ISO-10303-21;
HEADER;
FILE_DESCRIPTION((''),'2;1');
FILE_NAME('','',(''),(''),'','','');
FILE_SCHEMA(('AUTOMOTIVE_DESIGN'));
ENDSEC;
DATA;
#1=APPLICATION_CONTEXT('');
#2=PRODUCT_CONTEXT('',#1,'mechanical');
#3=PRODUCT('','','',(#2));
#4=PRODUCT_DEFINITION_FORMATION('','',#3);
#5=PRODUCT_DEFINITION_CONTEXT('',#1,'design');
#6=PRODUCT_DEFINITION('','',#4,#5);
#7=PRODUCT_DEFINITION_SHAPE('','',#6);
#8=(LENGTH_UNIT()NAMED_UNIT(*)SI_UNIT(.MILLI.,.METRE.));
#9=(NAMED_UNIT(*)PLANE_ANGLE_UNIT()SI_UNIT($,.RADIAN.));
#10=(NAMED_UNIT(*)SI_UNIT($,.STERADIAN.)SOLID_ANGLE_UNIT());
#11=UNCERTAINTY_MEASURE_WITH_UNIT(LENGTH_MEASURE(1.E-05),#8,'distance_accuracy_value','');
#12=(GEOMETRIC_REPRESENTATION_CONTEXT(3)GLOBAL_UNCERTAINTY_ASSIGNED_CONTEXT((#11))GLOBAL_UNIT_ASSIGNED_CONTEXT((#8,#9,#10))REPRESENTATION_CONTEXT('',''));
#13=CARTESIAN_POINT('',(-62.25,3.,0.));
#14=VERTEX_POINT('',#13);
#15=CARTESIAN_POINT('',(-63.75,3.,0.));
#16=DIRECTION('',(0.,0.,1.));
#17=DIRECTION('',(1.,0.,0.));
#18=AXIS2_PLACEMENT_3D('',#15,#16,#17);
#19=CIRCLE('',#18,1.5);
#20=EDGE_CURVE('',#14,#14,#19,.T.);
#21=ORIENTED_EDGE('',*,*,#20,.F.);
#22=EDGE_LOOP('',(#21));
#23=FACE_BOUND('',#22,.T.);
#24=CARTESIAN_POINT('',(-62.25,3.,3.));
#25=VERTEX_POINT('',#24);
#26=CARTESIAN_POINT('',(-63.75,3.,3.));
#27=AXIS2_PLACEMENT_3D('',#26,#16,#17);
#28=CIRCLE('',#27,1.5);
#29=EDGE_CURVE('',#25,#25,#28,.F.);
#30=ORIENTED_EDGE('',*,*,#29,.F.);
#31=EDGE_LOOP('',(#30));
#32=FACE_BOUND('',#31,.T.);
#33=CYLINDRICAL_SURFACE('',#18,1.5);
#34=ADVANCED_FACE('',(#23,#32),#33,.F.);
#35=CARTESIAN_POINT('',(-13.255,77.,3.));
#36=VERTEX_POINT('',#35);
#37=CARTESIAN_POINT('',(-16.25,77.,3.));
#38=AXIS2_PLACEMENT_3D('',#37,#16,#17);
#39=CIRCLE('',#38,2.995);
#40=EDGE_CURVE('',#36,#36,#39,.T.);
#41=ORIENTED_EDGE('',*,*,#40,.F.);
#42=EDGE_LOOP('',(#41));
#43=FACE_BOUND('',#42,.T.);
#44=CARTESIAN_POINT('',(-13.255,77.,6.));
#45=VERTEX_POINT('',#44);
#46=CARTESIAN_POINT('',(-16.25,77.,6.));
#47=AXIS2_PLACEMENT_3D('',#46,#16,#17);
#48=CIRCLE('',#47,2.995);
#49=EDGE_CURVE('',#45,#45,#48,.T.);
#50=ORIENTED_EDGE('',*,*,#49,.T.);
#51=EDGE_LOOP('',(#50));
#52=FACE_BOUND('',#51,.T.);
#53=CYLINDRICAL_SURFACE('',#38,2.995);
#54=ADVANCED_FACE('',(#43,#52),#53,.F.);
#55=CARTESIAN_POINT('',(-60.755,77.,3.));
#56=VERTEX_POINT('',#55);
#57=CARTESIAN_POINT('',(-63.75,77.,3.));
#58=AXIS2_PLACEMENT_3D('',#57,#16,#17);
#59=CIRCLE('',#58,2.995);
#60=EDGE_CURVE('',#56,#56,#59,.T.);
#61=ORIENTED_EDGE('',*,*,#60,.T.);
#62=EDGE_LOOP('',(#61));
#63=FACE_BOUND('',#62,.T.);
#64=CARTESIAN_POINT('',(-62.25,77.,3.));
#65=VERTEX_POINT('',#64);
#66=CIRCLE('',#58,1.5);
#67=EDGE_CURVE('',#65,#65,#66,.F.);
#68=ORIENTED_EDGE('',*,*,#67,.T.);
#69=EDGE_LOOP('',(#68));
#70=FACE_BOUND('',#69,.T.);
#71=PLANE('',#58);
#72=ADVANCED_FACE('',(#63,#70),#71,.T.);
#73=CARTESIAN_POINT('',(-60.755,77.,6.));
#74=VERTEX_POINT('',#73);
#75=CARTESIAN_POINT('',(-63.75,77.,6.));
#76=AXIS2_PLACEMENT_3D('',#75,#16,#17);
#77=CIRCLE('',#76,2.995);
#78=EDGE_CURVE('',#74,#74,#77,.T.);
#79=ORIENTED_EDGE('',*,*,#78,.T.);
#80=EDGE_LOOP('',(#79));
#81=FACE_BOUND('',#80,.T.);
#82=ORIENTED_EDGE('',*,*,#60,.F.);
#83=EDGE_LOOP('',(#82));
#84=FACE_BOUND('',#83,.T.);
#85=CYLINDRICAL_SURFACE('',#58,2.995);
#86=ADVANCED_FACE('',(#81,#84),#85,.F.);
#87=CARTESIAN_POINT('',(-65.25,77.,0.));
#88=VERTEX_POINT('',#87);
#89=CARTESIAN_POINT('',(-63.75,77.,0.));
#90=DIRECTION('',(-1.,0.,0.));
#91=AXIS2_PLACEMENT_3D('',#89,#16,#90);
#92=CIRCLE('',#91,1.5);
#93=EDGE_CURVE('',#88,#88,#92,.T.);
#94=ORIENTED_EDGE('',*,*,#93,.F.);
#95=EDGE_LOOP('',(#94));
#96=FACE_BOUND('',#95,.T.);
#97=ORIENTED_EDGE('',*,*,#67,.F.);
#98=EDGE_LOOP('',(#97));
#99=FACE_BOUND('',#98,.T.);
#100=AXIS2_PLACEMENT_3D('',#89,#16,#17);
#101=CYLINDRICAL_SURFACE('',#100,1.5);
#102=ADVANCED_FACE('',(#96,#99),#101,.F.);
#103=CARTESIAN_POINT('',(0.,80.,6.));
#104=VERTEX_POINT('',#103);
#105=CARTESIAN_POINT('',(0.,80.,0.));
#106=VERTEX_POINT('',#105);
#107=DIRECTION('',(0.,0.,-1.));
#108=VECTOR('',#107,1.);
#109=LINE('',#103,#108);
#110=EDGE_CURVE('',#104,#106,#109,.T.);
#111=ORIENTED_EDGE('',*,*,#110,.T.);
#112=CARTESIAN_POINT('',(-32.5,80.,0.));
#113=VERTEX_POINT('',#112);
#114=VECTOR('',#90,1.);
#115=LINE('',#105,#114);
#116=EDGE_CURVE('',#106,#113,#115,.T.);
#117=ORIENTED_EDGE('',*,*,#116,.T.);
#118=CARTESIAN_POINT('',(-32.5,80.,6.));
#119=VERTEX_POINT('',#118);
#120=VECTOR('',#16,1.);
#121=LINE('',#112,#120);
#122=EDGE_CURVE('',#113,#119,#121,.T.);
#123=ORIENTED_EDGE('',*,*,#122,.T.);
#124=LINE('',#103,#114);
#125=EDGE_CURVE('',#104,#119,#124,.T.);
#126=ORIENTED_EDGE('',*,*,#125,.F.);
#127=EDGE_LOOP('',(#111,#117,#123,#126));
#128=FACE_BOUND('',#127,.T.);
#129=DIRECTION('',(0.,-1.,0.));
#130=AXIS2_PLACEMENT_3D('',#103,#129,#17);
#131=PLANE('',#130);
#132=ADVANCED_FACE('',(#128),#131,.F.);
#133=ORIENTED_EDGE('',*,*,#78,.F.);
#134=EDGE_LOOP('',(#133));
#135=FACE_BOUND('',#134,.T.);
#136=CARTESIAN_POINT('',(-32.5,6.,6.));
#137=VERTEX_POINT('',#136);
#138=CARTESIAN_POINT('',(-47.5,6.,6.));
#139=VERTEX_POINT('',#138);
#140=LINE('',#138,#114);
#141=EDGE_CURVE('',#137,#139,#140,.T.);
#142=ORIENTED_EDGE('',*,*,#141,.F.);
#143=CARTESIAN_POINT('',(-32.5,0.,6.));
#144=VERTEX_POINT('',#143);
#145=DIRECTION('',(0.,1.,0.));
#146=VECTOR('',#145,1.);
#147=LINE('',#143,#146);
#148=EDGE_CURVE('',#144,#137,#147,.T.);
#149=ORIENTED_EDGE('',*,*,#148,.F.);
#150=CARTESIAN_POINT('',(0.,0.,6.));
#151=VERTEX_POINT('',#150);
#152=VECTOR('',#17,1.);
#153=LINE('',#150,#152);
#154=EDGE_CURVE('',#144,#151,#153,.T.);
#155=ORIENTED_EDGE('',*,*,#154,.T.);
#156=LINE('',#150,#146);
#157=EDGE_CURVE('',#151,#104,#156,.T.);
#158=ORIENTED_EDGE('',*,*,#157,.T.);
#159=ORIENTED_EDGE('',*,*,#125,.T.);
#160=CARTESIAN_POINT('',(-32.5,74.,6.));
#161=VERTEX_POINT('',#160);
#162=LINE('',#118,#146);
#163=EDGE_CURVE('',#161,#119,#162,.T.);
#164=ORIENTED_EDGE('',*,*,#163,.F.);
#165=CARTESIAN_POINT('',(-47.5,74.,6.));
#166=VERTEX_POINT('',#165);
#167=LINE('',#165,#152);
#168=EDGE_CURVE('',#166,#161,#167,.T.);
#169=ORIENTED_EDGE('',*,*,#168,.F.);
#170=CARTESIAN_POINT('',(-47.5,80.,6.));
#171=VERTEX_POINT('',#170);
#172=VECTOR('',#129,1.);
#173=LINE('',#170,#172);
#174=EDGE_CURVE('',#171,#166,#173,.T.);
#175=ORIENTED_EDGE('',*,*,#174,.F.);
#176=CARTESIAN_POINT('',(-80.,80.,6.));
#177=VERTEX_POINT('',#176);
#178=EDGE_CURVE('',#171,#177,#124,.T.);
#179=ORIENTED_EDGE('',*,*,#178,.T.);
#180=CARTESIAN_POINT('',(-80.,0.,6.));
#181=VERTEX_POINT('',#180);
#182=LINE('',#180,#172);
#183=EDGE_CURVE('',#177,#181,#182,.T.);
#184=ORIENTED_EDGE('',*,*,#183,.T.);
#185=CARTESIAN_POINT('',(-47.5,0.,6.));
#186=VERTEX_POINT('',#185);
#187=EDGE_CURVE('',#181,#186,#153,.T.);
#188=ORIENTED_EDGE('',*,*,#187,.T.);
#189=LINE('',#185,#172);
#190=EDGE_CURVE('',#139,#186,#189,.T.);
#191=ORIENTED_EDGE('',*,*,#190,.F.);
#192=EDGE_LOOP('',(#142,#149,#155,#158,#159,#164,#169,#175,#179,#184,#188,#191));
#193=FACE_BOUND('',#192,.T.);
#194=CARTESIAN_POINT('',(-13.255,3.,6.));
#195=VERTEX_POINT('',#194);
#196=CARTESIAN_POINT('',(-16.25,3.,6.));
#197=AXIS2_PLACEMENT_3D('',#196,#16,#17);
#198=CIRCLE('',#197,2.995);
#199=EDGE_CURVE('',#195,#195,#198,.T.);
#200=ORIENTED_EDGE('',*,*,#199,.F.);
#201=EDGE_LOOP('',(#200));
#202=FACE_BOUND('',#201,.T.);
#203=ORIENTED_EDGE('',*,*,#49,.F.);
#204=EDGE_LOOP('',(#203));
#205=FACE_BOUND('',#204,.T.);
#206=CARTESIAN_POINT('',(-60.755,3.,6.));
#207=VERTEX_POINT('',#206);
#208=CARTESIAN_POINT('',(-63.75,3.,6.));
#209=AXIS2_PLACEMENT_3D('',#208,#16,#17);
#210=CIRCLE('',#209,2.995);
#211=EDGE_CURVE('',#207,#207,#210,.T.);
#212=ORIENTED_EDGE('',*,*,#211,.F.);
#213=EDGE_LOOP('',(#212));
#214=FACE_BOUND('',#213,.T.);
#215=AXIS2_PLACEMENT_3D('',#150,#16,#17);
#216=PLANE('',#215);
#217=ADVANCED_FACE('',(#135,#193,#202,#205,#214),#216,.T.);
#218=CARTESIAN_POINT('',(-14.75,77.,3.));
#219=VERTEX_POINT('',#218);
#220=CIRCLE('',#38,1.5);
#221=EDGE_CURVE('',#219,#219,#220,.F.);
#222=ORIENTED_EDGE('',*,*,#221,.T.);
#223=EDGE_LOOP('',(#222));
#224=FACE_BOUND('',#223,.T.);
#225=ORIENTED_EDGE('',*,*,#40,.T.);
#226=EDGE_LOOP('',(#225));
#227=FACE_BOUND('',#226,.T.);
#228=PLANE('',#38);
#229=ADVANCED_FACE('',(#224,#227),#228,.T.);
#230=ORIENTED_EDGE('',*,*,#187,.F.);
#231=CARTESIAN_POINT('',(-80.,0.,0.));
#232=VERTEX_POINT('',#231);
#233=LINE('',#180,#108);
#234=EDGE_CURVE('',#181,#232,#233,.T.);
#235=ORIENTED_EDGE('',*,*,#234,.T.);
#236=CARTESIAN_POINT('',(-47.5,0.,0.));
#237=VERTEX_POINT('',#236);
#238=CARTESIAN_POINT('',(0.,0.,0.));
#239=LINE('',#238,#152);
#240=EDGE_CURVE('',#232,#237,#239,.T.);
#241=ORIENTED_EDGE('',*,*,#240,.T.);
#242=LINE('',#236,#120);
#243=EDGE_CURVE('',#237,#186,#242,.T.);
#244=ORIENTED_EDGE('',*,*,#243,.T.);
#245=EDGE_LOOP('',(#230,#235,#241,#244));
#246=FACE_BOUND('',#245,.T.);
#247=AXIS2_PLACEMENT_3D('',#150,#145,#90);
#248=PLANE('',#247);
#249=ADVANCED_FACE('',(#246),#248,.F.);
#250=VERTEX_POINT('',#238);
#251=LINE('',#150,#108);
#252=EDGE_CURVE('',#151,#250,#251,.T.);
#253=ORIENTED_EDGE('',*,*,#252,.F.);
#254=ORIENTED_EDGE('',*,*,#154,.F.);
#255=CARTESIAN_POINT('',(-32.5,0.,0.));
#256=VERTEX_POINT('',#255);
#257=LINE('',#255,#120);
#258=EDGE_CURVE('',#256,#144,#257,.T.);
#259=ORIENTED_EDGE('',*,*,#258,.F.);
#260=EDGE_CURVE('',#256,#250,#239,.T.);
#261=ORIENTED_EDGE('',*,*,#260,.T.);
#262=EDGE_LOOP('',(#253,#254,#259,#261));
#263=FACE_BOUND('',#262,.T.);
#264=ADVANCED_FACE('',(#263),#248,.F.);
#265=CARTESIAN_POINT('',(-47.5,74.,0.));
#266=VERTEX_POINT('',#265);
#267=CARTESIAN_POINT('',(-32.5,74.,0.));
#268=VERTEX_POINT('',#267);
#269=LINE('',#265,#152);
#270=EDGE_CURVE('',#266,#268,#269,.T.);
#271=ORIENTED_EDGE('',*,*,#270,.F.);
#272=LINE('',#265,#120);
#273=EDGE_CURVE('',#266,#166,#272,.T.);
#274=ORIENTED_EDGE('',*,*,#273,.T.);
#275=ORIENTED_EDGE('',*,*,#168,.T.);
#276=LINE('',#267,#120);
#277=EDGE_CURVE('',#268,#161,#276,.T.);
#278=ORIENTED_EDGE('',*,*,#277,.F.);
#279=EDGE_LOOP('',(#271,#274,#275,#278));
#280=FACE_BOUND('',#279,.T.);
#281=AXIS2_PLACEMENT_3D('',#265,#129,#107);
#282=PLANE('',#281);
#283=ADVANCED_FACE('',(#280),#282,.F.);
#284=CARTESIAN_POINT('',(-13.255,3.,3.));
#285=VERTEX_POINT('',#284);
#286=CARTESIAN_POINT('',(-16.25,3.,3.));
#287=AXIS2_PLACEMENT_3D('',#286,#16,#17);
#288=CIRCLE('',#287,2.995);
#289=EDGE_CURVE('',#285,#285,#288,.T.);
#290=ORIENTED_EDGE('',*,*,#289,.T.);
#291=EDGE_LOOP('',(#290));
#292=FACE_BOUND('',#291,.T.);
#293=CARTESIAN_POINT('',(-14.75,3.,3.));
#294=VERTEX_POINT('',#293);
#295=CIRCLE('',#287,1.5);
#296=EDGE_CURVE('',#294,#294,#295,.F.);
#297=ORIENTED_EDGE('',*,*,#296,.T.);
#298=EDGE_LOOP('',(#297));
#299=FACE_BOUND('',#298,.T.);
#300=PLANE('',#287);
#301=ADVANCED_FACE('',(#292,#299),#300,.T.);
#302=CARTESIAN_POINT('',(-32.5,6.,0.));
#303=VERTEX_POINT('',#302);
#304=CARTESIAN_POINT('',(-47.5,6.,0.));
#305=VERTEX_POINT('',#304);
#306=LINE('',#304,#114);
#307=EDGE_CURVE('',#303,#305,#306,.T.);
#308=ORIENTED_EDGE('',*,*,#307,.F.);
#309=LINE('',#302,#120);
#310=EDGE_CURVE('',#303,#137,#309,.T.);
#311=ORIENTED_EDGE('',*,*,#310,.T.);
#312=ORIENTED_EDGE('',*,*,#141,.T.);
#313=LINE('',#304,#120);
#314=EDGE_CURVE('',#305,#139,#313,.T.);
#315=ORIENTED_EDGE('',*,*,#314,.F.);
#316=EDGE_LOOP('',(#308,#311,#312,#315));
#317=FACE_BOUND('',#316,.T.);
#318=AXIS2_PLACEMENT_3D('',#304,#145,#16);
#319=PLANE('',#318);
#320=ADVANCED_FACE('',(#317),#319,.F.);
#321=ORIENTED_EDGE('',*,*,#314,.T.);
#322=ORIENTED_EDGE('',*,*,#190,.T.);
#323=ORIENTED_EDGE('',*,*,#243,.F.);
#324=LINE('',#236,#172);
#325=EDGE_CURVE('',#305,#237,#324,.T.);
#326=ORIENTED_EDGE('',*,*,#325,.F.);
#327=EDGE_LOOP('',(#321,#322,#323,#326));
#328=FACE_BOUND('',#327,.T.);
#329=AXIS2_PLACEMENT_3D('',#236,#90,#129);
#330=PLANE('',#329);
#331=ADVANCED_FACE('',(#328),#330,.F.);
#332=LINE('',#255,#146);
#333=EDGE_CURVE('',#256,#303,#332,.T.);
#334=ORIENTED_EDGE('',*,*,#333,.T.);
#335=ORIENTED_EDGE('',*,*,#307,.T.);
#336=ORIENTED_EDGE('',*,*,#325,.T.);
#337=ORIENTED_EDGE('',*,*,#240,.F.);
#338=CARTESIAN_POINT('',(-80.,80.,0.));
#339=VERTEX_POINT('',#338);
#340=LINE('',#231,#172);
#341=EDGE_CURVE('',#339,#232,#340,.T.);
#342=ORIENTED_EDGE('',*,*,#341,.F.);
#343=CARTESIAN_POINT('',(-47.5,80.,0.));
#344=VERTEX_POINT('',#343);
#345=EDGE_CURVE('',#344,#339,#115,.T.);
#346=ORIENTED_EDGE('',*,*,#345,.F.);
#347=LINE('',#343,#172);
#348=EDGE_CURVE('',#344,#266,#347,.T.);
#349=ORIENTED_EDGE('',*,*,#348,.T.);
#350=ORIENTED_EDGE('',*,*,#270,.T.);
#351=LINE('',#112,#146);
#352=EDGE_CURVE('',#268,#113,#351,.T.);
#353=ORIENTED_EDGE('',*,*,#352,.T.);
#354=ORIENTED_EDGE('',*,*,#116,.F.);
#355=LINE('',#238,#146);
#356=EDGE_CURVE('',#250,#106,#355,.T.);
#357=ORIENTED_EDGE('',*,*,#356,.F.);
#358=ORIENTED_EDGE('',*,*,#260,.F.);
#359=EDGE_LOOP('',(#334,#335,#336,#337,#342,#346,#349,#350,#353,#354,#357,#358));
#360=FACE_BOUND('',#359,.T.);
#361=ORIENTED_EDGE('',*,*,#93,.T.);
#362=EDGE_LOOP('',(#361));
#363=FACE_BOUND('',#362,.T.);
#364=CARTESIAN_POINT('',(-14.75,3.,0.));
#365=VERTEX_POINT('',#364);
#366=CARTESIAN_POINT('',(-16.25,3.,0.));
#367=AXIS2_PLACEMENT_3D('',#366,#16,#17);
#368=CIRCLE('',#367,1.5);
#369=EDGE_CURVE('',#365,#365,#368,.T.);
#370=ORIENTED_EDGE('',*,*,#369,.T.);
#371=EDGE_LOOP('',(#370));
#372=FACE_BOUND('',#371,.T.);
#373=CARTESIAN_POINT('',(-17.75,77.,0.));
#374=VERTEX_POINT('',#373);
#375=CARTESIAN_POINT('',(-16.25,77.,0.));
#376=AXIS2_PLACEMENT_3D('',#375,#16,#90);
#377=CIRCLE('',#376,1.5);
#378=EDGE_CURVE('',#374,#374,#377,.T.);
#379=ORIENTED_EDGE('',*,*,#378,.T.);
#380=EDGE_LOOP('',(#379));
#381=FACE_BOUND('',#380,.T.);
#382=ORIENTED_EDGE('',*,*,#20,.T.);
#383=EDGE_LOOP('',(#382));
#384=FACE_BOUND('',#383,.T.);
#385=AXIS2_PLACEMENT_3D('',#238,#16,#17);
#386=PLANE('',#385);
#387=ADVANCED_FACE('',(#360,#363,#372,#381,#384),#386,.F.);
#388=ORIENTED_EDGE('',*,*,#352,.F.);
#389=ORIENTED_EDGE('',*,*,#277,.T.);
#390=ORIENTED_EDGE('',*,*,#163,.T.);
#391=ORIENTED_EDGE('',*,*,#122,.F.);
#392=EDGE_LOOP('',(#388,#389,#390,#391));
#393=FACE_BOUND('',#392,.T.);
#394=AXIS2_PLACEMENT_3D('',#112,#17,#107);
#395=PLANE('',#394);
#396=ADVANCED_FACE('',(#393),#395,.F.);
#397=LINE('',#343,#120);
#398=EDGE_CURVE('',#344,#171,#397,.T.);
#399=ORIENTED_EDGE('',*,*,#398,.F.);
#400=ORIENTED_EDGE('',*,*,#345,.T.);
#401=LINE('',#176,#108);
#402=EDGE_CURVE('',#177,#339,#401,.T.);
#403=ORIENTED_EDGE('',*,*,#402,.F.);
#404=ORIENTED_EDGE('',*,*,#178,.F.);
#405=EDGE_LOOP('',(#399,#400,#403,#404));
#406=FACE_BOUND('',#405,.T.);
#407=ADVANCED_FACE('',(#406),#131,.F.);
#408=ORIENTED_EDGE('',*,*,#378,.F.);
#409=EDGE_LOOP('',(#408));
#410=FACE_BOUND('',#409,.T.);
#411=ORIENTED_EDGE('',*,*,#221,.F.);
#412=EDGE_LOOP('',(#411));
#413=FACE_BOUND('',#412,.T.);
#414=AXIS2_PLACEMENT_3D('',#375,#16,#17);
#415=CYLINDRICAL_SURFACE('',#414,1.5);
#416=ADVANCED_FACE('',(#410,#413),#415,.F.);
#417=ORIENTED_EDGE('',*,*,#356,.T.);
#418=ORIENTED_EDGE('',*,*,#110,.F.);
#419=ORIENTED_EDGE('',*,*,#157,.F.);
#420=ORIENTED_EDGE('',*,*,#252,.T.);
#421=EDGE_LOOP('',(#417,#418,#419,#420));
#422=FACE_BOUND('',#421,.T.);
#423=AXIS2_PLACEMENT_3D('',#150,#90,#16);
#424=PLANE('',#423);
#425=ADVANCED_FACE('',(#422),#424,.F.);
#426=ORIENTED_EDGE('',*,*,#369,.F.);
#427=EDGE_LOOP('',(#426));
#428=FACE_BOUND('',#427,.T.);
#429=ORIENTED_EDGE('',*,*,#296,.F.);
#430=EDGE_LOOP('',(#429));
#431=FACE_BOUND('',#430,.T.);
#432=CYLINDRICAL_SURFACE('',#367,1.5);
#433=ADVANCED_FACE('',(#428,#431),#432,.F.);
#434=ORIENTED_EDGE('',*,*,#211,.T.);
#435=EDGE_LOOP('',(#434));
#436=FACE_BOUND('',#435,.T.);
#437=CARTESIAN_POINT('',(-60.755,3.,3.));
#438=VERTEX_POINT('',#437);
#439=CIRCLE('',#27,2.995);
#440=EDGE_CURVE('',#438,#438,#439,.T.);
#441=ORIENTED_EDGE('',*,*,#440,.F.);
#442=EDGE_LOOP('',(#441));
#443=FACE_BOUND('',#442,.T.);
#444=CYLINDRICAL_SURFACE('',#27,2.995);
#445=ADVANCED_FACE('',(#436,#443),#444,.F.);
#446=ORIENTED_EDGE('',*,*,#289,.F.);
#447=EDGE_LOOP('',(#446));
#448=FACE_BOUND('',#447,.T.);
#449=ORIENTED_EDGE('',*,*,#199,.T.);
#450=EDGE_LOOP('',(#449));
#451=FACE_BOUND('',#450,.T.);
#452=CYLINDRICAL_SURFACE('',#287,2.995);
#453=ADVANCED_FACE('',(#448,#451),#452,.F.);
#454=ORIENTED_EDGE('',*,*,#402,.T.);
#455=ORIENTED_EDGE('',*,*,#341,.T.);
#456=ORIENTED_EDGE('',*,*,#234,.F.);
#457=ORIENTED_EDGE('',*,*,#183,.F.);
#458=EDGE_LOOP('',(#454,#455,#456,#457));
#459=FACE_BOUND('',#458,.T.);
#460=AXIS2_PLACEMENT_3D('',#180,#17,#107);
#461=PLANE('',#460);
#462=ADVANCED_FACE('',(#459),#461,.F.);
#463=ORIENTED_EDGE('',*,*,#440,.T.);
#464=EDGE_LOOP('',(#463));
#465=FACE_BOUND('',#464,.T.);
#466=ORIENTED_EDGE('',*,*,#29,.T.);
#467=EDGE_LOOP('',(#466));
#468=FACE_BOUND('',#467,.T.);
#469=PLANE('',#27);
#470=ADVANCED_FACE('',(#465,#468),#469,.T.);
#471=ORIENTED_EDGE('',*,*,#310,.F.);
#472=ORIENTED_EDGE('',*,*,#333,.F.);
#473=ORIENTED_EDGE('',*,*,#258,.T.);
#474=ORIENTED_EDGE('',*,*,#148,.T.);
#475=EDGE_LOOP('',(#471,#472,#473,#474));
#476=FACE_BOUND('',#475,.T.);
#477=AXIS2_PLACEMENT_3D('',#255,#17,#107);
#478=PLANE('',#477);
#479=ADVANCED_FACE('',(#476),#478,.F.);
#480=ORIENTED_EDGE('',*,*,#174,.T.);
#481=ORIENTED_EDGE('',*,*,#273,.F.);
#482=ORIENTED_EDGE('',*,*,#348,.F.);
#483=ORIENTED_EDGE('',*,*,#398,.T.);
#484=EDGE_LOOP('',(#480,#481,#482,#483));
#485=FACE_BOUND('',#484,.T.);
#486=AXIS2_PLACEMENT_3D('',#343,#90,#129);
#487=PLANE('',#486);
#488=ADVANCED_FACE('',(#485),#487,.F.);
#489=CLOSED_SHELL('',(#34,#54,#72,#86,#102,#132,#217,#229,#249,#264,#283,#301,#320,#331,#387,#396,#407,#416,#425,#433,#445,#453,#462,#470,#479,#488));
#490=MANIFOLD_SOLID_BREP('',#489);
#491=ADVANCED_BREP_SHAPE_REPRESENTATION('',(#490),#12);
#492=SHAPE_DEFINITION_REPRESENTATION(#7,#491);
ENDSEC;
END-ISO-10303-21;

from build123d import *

# Parameters (mm, degrees)
ESQUISSE1_W             = 80
ESQUISSE1_H             = 80
BOSS_EXTRU_1_DEPTH      = 6
ESQUISSE2_R             = 1.5
ESQUISSE2_W             = 15
ESQUISSE2_H             = 6
ENL_V_MAT_EXTRU_1_DEPTH = 6
ESQUISSE3_R             = 2.995
ENL_V_MAT_EXTRU_2_DEPTH = 3


with BuildPart() as part:
    # Esquisse1 → Boss.-Extru.1 (new body)
    with BuildSketch(Plane.XY):
        with Locations((-40, 40)):
            Rectangle(ESQUISSE1_W, ESQUISSE1_H)
    extrude(amount=BOSS_EXTRU_1_DEPTH)

    # Esquisse2 → Enlèv. mat.-Extru.1 (cut)
    with BuildSketch(Plane.XY.offset(6)):
        with Locations((-16.25, 3)):
            Circle(ESQUISSE2_R)
        with Locations(Location((-63.75, 77, 0), (0, 0, 180))):
            Circle(ESQUISSE2_R)
        with Locations(Location((-16.25, 77, 0), (0, 0, 180))):
            Circle(ESQUISSE2_R)
        with Locations((-63.75, 3)):
            Circle(ESQUISSE2_R)
        with Locations((-40, 3)):
            Rectangle(ESQUISSE2_W, ESQUISSE2_H)
        with Locations((-40, 77)):
            Rectangle(ESQUISSE2_W, ESQUISSE2_H)
    extrude(amount=-ENL_V_MAT_EXTRU_1_DEPTH, mode=Mode.SUBTRACT)

    # Esquisse3 → Enlèv. mat.-Extru.2 (cut)
    with BuildSketch(Plane.XY.offset(6)):
        with Locations((-16.25, 3)):
            Circle(ESQUISSE3_R)
        with Locations((-63.75, 3)):
            Circle(ESQUISSE3_R)
        with Locations((-16.25, 77)):
            Circle(ESQUISSE3_R)
        with Locations((-63.75, 77)):
            Circle(ESQUISSE3_R)
    extrude(amount=-ENL_V_MAT_EXTRU_2_DEPTH, mode=Mode.SUBTRACT)


solid = part.part
